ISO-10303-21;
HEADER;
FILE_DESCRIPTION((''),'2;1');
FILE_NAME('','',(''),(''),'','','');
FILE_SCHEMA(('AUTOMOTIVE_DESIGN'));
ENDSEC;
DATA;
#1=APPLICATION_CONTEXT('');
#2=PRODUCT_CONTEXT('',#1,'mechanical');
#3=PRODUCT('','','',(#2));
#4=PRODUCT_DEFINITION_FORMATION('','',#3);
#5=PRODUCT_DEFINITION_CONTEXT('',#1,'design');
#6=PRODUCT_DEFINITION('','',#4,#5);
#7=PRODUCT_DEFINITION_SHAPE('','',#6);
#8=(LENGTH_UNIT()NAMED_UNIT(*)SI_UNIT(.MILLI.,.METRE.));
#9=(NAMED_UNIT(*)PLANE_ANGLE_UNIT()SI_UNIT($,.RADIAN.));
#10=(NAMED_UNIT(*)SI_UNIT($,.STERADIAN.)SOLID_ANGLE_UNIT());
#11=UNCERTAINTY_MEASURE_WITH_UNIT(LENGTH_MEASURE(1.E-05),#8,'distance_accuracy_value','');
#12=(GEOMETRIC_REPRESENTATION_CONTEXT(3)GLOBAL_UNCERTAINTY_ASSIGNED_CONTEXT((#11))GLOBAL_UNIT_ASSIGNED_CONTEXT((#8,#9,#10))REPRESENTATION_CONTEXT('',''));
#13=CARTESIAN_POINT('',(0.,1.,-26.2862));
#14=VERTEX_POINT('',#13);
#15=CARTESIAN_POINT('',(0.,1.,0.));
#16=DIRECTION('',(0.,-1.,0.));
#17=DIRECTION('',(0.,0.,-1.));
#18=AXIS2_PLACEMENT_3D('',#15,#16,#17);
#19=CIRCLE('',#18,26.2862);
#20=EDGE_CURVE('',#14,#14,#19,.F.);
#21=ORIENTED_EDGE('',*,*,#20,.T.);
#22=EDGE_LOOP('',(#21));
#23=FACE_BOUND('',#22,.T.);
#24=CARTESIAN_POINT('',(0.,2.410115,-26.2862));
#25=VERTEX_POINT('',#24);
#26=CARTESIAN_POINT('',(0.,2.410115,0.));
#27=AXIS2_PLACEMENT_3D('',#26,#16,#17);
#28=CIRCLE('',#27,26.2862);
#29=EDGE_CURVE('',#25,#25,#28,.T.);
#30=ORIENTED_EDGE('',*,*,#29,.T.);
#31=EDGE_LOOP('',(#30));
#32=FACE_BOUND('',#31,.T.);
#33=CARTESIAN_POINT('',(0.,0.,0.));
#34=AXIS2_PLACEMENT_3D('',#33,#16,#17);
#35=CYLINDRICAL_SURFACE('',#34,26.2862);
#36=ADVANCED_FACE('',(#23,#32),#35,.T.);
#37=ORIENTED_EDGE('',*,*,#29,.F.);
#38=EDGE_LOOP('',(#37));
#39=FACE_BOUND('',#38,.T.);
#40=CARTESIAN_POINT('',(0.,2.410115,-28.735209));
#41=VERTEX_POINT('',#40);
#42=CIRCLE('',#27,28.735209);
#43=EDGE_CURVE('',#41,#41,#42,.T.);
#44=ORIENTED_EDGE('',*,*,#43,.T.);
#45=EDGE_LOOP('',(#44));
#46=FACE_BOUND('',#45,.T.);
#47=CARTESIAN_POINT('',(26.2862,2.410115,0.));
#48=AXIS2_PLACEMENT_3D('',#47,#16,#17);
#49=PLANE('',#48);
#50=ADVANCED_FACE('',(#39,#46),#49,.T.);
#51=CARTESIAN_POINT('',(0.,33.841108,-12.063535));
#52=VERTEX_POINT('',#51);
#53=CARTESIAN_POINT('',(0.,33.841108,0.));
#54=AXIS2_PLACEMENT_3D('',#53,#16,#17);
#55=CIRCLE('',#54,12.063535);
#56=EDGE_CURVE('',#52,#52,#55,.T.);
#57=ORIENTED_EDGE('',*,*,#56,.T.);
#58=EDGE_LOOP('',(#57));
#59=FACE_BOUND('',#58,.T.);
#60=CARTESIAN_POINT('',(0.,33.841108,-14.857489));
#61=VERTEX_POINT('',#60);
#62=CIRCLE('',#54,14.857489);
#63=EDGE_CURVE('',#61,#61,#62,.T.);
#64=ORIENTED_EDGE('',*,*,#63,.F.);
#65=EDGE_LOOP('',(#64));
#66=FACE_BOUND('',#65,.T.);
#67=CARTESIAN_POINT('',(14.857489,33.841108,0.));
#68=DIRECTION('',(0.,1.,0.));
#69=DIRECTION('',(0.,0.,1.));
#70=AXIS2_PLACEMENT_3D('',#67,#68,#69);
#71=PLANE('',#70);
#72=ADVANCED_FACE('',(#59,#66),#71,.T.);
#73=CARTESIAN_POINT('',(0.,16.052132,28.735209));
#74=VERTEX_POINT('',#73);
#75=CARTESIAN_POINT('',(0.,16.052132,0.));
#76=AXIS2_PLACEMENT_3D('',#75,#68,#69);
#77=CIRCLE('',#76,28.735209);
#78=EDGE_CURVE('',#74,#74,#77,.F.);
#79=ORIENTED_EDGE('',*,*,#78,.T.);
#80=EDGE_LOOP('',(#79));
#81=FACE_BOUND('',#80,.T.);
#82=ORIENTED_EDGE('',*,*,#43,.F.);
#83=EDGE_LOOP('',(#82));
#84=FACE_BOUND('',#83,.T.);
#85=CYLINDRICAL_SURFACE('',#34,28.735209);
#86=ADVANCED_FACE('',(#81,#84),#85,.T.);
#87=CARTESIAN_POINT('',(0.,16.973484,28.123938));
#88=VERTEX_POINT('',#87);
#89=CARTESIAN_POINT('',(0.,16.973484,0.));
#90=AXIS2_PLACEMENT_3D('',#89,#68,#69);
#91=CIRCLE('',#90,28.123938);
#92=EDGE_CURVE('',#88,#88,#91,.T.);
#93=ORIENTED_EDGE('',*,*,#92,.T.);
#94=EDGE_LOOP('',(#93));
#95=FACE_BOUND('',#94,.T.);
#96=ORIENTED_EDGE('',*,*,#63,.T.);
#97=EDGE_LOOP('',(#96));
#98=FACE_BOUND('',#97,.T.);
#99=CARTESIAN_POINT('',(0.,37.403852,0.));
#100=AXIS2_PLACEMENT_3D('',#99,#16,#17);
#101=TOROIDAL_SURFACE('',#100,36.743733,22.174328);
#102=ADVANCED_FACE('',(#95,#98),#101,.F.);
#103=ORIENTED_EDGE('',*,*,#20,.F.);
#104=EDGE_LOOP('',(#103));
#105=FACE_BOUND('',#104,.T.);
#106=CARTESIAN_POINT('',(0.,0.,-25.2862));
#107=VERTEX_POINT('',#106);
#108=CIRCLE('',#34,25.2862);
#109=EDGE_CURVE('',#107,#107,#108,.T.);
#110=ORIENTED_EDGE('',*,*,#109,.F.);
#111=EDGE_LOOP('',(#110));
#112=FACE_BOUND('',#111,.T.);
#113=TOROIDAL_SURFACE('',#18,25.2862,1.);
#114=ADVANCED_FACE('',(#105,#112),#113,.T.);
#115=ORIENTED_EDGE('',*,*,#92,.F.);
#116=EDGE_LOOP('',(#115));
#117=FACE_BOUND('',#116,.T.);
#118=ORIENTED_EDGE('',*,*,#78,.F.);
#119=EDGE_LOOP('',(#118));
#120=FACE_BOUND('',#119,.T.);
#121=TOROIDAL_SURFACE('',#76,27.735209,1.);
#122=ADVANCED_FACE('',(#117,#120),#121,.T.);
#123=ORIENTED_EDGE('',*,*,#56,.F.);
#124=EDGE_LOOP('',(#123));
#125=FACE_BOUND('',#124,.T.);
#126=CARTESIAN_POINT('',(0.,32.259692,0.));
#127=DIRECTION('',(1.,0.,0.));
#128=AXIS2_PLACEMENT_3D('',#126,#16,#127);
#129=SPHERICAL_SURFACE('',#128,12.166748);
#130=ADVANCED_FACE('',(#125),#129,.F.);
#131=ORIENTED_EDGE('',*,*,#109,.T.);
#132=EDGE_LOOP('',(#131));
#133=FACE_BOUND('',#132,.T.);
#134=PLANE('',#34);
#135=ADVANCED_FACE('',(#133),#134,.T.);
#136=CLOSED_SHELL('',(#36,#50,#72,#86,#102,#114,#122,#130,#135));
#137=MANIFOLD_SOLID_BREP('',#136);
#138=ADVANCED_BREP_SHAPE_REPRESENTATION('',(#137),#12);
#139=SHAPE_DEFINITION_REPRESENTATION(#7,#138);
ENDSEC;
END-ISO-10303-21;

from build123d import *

# Parameters (mm, degrees)
FILLET1_R = 1


with BuildPart() as part:
    # Sketch1 → Revolve1 (revolve)
    with BuildSketch(Plane.XY):
        with BuildLine():
            Line((0, 0), (26.286199912, 0))
            Line((26.286199912, 0), (26.286199912, 2.410114973))
            Line((26.286199912, 2.410114973), (28.735209439, 2.410114973))
            Line((28.735209439, 2.410114973), (28.735209439, 16.726222584))
            ThreePointArc((28.735209439, 16.726222584), (19.520083074, 23.437939861), (14.857488789, 33.841108478))
            Line((14.857488789, 33.841108478), (12.063535171, 33.841108478))
            ThreePointArc((12.063535171, 33.841108478), (9.145229836, 24.235071542), (0, 20.092943721))
            Line((0, 20.092943721), (0, 0))
        make_face()
    revolve(axis=Axis((0, 0, 0), (0, 1, 0)))

    # Fillet1
    fillet1_edges = [part.edges().sort_by_distance(p)[0] for p in [
        (-28.735209439, 16.726222584, 0),
        (-26.286199912, 0, 0),
    ]]
    fillet(fillet1_edges, radius=FILLET1_R)


solid = part.part
